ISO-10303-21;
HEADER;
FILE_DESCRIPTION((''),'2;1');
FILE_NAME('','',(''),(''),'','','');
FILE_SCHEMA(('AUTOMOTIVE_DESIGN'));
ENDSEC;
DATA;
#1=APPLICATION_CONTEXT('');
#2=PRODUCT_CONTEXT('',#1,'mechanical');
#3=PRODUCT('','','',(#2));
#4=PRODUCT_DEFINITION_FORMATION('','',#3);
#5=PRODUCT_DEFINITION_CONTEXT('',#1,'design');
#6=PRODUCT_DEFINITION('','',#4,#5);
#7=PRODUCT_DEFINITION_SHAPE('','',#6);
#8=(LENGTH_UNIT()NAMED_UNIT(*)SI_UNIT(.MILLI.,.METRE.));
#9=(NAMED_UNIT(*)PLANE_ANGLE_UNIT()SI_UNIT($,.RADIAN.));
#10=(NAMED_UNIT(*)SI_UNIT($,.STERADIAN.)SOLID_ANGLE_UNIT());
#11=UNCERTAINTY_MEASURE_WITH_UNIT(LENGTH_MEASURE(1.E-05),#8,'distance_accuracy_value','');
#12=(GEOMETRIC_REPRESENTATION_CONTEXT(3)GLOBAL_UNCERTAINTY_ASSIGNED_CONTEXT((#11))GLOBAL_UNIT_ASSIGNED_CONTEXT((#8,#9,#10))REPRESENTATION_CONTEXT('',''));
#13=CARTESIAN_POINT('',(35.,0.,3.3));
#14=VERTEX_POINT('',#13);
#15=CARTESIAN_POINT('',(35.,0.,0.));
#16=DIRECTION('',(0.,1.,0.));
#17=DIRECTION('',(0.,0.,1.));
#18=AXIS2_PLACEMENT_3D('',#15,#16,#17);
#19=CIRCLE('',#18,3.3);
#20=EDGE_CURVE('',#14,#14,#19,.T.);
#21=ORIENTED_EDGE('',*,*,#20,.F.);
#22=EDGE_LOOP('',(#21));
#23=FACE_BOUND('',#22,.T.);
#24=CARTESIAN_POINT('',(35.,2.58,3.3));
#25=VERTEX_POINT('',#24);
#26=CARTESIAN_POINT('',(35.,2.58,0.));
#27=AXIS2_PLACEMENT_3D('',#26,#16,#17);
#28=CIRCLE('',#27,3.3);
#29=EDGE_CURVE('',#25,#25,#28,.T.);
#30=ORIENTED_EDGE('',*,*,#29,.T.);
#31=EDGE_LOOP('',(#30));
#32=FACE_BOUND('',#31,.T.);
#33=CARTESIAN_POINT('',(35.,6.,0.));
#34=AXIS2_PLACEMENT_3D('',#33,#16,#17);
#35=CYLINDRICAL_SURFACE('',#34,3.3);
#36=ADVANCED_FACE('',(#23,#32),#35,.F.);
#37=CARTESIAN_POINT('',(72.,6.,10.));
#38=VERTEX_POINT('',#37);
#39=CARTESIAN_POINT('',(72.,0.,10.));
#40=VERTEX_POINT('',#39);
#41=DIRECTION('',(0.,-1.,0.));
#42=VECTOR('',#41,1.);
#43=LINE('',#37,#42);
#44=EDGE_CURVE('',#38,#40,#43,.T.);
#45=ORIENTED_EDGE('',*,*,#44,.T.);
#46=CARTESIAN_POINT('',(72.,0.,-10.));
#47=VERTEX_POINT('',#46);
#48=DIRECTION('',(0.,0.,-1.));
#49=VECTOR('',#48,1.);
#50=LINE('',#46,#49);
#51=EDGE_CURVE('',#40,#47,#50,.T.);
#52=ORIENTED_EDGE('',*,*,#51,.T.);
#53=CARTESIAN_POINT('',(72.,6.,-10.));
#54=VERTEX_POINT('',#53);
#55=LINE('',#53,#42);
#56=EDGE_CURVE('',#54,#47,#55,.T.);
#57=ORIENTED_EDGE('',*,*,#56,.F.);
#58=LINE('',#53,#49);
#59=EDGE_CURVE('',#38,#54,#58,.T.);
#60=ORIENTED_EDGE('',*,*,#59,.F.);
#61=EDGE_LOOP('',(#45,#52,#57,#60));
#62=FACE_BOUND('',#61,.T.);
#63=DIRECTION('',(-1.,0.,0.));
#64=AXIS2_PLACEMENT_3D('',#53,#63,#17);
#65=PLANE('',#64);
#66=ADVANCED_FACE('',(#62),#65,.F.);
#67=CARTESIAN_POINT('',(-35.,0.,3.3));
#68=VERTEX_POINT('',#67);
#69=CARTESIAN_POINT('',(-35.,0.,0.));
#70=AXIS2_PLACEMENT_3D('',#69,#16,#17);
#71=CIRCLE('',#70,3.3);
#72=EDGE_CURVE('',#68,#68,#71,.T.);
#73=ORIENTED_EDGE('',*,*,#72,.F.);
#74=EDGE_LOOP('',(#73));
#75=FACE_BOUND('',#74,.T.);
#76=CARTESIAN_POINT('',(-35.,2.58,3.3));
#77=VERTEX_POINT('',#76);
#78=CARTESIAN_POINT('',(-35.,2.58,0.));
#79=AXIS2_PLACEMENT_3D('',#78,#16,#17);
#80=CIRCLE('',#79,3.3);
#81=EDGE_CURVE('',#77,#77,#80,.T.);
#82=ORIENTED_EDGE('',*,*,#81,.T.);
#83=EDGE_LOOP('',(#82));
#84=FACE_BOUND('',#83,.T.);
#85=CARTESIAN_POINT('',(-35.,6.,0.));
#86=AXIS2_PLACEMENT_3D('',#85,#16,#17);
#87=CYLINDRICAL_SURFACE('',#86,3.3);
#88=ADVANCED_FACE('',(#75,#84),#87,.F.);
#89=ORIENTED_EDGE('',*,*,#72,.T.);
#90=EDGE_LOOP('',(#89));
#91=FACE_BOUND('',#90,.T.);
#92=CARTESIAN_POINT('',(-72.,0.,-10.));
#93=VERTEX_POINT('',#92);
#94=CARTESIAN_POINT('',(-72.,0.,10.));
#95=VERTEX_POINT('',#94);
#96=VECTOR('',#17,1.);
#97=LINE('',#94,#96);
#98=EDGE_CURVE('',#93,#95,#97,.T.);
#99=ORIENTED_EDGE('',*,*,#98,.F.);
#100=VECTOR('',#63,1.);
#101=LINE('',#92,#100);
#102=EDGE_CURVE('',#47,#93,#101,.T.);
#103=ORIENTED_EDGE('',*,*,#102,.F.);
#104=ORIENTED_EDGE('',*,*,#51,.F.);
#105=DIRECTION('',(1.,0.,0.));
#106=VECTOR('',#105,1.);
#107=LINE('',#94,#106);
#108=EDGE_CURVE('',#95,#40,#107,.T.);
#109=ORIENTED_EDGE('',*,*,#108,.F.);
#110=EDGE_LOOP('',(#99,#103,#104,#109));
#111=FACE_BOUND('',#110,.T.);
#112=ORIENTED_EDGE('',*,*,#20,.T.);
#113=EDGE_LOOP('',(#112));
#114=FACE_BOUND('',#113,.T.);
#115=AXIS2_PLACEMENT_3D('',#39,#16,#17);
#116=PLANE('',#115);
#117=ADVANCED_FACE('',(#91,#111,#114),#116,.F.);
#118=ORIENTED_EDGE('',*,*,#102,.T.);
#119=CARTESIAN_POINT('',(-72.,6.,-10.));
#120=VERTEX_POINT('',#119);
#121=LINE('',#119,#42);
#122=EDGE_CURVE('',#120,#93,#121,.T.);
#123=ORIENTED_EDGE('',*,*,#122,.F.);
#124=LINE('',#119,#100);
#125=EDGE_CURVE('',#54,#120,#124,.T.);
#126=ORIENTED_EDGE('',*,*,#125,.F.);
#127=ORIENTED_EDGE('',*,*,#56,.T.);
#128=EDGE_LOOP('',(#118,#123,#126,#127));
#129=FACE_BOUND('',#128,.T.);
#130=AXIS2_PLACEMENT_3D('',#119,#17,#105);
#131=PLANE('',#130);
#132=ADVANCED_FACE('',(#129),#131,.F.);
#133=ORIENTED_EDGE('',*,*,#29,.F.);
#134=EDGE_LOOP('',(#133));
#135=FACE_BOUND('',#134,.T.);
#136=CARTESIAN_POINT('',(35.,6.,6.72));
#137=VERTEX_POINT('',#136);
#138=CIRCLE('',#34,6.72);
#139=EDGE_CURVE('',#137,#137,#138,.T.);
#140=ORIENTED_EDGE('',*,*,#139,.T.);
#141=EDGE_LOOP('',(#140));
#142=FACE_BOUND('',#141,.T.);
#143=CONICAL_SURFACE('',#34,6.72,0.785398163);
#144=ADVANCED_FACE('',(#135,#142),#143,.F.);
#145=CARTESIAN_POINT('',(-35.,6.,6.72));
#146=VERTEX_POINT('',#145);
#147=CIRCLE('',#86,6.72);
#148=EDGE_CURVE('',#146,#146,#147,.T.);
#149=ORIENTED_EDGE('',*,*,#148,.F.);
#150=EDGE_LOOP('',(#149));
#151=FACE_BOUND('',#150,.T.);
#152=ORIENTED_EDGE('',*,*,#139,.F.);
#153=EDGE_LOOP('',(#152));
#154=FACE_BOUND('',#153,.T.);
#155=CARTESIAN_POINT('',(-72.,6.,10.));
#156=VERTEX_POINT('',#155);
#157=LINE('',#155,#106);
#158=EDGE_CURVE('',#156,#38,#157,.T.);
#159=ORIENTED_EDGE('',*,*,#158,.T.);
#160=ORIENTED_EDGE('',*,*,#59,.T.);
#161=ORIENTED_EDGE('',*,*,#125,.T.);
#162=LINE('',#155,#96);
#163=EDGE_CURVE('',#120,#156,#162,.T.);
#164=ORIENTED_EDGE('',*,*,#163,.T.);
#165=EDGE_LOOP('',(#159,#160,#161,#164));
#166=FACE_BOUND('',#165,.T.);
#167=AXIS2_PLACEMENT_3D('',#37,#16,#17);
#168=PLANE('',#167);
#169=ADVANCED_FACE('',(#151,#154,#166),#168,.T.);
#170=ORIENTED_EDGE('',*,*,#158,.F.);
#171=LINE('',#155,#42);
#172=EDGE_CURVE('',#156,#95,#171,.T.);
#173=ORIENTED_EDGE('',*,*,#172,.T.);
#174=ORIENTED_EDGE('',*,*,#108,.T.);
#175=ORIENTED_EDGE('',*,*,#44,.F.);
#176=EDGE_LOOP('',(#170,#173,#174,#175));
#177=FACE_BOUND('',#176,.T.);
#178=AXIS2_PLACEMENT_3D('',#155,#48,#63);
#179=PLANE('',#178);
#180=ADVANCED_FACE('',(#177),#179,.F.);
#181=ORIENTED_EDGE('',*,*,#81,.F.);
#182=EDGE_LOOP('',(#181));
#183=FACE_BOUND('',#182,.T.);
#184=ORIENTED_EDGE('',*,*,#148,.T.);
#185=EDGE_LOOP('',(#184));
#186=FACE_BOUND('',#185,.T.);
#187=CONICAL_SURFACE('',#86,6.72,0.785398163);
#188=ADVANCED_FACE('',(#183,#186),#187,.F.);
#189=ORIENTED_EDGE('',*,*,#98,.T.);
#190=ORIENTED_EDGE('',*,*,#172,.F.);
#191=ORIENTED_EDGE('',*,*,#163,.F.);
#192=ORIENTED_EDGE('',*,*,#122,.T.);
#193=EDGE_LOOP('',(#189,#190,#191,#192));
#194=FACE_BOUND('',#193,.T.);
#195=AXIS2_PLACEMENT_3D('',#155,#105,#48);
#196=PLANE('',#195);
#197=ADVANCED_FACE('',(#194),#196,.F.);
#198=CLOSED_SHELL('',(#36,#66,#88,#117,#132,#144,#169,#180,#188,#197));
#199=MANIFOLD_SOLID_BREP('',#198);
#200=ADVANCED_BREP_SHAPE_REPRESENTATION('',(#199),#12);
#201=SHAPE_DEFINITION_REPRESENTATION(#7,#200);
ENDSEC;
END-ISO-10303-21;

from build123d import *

# Parameters (mm, degrees)
SKETCH1_W                           = 144
SKETCH1_H                           = 20
EXTRUDE1_DEPTH                      = 6
ESCAREADO_PARA_SFHCS_M61_AT_2_COUNT = 2
ESCAREADO_PARA_SFHCS_M61_AT_2_PITCH = 70


with BuildPart() as part:
    # Sketch1 → Extrude1 (new body)
    with BuildSketch(Plane(origin=(0, 0, 0), x_dir=(1, 0, 0), z_dir=(0, 1, 0))):
        Rectangle(SKETCH1_W, SKETCH1_H)
    extrude(amount=EXTRUDE1_DEPTH)

    # Esboço1 → Escareado para SFHCS M61 (revolve, cut)
    with BuildSketch(Plane(origin=(-35, 6, 0), x_dir=(0, 0, 1), z_dir=(1, 0, 0))):
        Polygon((0, 0), (0, 6), (3.3, 6), (3.3, 3.42), (6.72, 0), align=None)
    escareado_para_sfhcs_m61 = revolve(axis=Axis((-35, 12.35, 0), (0, -1, 0)), mode=Mode.SUBTRACT)

    # Escareado para SFHCS M61 at 2: Escareado para SFHCS M61 ×2
    with Locations(*[(i * ESCAREADO_PARA_SFHCS_M61_AT_2_PITCH, 0, 0) for i in range(1, ESCAREADO_PARA_SFHCS_M61_AT_2_COUNT)]):
        add(escareado_para_sfhcs_m61, mode=Mode.SUBTRACT)


solid = part.part
